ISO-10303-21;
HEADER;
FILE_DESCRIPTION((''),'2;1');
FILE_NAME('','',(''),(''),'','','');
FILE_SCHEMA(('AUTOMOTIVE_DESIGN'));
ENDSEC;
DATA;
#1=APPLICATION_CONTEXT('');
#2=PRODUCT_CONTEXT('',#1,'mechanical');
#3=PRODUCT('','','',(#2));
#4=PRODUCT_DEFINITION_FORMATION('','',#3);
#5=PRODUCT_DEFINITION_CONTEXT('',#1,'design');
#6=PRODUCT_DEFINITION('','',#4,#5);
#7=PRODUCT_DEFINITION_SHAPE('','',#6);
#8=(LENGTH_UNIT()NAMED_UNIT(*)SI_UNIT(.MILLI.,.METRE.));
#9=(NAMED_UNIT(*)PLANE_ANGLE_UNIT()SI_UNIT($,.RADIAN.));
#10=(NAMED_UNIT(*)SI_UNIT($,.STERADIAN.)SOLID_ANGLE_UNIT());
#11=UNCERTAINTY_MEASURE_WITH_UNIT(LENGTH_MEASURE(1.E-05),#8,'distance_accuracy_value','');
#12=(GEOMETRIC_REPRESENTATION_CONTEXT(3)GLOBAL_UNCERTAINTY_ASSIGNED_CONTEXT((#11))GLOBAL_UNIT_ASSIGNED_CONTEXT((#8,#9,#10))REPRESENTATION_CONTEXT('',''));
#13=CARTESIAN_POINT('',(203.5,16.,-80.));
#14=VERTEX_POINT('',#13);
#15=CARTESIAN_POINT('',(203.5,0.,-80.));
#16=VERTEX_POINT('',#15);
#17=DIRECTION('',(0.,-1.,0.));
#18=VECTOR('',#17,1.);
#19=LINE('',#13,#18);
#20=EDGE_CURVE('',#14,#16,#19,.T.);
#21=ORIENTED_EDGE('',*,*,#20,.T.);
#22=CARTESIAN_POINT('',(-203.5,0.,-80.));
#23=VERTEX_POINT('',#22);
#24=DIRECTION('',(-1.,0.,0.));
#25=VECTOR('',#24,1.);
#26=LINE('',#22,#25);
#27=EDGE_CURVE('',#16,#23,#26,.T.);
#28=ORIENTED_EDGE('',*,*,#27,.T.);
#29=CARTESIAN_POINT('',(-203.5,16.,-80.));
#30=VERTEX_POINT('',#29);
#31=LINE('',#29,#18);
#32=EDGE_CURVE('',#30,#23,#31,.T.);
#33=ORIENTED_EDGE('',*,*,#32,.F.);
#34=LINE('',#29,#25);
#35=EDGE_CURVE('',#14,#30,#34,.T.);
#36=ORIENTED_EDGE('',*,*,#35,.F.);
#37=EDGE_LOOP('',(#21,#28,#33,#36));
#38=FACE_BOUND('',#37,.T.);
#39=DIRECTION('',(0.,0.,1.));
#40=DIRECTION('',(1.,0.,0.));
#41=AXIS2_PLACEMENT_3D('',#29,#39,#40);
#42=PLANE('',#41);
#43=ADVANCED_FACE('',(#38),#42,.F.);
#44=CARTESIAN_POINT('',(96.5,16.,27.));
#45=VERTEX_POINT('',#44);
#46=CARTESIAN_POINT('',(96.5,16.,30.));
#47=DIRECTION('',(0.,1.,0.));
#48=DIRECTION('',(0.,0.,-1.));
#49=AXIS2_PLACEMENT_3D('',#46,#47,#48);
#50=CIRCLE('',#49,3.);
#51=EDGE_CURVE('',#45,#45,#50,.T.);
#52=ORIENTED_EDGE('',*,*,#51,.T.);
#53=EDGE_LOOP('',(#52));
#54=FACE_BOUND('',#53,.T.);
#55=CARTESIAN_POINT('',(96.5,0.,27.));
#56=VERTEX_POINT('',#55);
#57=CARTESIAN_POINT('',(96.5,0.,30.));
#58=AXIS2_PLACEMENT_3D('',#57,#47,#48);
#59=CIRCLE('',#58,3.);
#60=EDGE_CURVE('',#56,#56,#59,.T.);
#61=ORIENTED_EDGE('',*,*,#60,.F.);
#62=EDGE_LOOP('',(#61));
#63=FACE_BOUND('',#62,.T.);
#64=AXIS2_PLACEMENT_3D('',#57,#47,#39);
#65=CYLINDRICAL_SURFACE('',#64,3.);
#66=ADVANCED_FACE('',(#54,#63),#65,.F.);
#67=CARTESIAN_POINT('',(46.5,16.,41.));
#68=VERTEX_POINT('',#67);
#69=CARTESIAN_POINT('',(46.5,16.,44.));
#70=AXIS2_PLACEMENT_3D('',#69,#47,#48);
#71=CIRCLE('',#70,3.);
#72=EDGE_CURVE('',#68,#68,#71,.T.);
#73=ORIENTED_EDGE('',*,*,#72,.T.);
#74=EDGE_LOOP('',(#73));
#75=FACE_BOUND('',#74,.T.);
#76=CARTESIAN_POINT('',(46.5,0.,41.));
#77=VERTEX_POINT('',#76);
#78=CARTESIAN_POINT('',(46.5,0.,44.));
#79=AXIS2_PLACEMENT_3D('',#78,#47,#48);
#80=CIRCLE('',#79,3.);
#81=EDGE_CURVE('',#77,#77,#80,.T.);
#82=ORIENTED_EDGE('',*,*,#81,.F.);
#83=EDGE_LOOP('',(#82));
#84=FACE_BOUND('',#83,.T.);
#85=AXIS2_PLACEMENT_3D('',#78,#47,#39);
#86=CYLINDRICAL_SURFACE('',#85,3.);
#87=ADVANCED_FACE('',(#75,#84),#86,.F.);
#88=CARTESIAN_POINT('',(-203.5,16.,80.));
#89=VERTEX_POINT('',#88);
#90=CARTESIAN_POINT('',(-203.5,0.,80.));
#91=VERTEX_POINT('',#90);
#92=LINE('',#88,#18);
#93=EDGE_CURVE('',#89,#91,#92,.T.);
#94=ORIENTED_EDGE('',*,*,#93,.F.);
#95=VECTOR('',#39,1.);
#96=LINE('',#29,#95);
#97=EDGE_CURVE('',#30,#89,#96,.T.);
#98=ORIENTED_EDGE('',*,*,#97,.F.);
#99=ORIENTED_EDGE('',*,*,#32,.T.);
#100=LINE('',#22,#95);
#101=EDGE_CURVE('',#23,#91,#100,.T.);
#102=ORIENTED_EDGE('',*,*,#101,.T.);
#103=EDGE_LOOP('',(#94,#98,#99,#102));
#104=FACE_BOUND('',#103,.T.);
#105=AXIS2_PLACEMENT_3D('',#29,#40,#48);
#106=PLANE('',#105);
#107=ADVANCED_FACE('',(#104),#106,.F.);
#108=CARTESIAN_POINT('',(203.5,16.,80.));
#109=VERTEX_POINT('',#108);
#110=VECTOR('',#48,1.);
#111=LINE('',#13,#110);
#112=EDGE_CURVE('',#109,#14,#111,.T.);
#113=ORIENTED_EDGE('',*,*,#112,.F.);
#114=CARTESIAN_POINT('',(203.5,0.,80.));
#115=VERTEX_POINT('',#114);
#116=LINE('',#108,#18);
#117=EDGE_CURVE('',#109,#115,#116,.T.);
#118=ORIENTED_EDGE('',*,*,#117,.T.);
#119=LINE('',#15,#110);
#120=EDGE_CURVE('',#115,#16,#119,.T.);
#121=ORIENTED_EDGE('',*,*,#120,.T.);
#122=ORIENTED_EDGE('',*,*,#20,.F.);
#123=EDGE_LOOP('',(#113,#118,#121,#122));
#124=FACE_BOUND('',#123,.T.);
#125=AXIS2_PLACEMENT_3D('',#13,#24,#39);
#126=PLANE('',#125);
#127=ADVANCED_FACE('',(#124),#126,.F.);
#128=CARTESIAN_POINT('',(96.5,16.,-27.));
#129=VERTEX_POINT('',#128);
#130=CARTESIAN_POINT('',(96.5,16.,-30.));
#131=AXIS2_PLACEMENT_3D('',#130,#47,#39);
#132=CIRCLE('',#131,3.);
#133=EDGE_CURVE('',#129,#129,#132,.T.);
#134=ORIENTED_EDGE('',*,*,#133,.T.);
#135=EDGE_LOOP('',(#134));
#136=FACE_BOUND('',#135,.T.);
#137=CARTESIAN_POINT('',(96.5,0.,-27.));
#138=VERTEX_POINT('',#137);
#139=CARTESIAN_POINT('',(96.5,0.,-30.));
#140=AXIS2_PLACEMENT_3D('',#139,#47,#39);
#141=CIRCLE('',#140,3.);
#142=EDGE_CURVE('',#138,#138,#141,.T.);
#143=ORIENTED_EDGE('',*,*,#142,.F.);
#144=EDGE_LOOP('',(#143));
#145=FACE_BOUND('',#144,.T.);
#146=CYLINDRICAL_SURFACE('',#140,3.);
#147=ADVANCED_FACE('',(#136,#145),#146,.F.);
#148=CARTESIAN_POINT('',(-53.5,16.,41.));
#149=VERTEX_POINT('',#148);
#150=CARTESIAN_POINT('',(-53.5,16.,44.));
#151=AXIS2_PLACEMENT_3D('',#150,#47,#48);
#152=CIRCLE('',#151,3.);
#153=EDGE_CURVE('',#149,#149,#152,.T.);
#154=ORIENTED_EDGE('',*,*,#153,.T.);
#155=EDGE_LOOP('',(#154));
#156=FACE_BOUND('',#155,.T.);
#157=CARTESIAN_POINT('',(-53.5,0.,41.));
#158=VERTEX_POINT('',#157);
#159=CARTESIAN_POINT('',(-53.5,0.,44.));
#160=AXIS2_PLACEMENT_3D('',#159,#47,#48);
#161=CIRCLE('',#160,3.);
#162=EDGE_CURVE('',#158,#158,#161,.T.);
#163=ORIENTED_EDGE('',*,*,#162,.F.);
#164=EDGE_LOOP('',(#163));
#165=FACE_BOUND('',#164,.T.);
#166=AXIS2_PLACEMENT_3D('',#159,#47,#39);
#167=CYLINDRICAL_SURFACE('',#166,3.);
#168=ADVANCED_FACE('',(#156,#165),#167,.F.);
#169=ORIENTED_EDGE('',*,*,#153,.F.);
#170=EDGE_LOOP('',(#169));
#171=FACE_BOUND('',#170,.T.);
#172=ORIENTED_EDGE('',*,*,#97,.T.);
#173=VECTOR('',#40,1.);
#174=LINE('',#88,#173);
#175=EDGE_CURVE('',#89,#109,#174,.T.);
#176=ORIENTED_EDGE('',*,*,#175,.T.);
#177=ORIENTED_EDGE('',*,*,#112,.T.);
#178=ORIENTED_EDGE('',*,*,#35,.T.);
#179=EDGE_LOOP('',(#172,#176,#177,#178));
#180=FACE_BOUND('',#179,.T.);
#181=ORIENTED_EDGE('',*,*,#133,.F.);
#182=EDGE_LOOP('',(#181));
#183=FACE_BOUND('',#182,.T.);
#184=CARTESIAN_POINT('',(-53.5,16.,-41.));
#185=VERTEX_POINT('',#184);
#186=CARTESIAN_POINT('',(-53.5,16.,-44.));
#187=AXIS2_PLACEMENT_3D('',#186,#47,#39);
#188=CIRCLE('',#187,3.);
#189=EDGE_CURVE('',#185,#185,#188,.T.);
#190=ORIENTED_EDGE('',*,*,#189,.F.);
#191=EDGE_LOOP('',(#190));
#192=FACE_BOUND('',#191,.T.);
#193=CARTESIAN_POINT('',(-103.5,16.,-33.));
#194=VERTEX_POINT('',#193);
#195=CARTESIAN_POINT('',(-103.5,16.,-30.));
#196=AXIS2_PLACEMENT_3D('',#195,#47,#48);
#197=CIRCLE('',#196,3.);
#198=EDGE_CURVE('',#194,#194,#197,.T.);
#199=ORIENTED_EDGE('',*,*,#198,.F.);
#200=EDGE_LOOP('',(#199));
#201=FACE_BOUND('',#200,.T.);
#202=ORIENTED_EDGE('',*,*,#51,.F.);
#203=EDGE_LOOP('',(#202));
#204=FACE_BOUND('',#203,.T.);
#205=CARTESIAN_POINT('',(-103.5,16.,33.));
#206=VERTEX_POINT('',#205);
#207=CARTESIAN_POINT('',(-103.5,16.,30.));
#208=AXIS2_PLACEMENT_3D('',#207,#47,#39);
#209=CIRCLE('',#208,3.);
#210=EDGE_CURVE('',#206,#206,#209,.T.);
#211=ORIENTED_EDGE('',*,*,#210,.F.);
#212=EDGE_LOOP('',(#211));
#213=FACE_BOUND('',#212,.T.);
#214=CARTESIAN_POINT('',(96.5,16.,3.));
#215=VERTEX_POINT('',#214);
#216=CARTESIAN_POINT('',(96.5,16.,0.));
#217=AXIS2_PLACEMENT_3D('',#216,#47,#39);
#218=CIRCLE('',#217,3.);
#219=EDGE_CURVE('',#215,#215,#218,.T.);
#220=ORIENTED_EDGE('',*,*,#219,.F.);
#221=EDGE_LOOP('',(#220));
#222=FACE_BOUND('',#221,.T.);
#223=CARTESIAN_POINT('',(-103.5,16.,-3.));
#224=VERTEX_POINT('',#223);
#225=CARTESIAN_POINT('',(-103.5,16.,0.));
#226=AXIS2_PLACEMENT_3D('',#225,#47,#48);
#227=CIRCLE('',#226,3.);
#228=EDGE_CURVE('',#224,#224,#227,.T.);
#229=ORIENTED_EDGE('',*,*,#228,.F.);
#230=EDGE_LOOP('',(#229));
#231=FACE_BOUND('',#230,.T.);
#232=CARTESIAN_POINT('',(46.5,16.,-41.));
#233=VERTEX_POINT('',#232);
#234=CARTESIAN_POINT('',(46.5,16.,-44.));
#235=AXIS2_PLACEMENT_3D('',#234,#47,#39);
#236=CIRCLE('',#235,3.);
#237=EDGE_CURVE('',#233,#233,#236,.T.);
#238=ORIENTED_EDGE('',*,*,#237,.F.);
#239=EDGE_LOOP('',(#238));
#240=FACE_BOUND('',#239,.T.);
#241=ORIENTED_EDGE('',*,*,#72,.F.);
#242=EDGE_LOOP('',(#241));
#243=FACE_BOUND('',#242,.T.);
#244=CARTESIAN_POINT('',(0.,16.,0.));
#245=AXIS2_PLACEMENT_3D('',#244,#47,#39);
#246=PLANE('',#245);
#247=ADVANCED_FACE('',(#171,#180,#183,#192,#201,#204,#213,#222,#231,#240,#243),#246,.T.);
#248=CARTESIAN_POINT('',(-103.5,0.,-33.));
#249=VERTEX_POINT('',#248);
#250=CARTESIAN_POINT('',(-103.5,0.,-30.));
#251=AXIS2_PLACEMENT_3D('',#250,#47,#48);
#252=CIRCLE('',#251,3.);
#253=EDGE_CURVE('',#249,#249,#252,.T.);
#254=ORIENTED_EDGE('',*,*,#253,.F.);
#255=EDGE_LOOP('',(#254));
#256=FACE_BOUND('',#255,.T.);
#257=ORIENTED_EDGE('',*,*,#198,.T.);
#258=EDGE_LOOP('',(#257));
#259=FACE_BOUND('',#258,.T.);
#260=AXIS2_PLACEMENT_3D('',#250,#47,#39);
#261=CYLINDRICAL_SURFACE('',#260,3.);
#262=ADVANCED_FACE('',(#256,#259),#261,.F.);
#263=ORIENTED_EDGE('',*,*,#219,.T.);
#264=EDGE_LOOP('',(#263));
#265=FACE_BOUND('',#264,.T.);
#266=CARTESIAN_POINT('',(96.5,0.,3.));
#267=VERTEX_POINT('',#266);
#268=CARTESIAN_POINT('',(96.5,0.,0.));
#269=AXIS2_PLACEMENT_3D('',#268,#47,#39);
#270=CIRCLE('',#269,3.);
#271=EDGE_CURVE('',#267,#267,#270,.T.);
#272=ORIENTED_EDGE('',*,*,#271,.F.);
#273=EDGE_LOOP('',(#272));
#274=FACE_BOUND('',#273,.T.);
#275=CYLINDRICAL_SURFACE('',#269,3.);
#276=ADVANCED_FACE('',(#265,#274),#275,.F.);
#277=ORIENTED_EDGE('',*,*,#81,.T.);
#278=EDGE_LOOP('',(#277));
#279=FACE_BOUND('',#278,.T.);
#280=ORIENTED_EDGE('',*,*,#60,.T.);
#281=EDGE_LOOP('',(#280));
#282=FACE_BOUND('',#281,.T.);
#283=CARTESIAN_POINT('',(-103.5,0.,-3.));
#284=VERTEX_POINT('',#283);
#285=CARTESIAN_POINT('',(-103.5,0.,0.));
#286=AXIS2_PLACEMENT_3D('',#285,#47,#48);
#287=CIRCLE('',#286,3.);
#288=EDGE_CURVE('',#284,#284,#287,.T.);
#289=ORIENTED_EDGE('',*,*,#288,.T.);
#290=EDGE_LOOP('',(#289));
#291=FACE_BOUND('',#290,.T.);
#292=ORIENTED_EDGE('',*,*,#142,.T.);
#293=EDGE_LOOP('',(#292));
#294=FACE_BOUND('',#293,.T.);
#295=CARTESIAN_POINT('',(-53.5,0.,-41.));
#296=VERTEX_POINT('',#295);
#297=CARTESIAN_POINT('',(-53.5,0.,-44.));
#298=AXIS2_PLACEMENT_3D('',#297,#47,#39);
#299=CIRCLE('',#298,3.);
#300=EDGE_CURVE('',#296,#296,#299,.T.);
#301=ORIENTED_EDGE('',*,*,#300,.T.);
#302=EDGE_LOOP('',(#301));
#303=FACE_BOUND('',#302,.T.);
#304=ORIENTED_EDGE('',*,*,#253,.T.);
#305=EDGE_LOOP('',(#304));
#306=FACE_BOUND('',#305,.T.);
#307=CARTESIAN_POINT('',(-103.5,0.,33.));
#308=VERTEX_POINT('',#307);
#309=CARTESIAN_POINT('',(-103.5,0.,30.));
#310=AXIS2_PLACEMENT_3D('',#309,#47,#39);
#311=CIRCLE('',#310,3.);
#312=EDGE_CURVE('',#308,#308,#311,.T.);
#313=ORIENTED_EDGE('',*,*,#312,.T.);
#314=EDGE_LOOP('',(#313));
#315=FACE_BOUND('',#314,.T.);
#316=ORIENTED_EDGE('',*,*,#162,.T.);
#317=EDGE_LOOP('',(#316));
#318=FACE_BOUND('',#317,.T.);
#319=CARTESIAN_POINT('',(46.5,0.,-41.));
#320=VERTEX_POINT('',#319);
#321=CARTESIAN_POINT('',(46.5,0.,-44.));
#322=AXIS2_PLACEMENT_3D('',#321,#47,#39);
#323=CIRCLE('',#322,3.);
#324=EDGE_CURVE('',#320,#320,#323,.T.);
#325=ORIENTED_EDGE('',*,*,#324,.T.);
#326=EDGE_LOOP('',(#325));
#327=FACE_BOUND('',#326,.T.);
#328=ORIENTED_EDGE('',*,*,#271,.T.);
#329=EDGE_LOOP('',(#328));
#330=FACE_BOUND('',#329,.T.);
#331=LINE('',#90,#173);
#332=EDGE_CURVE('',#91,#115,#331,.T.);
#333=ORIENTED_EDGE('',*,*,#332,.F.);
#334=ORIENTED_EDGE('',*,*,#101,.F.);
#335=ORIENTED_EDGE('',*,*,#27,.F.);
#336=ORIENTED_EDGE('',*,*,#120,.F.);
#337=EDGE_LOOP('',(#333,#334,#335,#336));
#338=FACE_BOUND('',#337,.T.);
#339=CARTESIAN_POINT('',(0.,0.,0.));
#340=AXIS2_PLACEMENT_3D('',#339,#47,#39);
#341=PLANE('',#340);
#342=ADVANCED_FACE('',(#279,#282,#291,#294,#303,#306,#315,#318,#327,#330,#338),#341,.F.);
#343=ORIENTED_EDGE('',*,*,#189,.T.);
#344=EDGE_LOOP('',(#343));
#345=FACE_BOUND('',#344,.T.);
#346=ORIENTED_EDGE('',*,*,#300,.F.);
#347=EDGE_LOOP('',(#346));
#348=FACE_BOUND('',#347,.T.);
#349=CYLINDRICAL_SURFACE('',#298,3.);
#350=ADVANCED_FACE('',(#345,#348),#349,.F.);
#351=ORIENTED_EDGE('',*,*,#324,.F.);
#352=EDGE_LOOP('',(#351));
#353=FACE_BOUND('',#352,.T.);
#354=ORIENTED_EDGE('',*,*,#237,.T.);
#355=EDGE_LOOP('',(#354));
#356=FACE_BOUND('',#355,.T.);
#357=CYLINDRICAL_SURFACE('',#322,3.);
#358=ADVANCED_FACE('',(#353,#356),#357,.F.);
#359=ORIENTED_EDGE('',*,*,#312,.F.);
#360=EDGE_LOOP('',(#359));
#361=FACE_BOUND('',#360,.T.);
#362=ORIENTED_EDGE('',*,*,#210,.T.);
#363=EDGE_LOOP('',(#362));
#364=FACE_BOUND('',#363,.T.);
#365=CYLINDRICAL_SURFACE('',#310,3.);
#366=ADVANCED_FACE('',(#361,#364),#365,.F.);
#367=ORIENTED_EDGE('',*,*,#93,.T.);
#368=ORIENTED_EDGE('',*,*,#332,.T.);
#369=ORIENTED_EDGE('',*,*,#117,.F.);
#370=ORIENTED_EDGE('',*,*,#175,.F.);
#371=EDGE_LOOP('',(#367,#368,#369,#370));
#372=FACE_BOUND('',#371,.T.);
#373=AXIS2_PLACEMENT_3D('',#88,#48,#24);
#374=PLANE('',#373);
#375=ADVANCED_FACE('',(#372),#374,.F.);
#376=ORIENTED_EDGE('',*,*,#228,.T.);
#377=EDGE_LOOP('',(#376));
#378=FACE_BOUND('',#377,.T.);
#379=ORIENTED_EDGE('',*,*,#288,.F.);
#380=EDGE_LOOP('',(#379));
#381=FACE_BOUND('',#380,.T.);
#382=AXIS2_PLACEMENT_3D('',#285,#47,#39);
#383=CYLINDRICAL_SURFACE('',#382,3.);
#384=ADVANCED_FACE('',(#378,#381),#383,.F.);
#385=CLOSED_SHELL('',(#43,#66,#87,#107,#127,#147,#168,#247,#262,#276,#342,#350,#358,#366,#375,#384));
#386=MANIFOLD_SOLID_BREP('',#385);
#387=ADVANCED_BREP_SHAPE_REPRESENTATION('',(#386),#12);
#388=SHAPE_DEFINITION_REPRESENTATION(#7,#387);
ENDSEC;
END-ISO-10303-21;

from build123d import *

# Parameters (mm, degrees)
SKETCH1_W           = 407
SKETCH1_H           = 160
BOSS_EXTRUDE1_DEPTH = 16
SKETCH2_R           = 3
CUT_EXTRUDE1_DEPTH  = 220.244726276


with BuildPart() as part:
    # Sketch1 → Boss-Extrude1 (new body)
    with BuildSketch(Plane(origin=(0, 0, 0), x_dir=(1, 0, 0), z_dir=(0, 1, 0))):
        Rectangle(SKETCH1_W, SKETCH1_H)
    extrude(amount=BOSS_EXTRUDE1_DEPTH)

    # Sketch2 → Cut-Extrude1 (cut, through all)
    with BuildSketch(Plane(origin=(0, 16, 0), x_dir=(1, 0, 0), z_dir=(0, 1, 0))):
        with Locations(Location((-53.5, 44, 0), (0, 0, 270))):
            Circle(SKETCH2_R)
        with Locations(Location((46.5, 44, 0), (0, 0, 270))):
            Circle(SKETCH2_R)
        with Locations(Location((46.5, -44, 0), (0, 0, 90))):
            Circle(SKETCH2_R)
        with Locations(Location((-53.5, -44, 0), (0, 0, 90))):
            Circle(SKETCH2_R)
        with Locations(Location((96.5, 0, 0), (0, 0, 270))):
            Circle(SKETCH2_R)
        with Locations(Location((96.5, 30, 0), (0, 0, 270))):
            Circle(SKETCH2_R)
        with Locations(Location((96.5, -30, 0), (0, 0, 90))):
            Circle(SKETCH2_R)
        with Locations(Location((-103.5, 30, 0), (0, 0, 90))):
            Circle(SKETCH2_R)
        with Locations(Location((-103.5, 0, 0), (0, 0, 90))):
            Circle(SKETCH2_R)
        with Locations(Location((-103.5, -30, 0), (0, 0, 270))):
            Circle(SKETCH2_R)
    extrude(amount=-CUT_EXTRUDE1_DEPTH, mode=Mode.SUBTRACT)


solid = part.part
